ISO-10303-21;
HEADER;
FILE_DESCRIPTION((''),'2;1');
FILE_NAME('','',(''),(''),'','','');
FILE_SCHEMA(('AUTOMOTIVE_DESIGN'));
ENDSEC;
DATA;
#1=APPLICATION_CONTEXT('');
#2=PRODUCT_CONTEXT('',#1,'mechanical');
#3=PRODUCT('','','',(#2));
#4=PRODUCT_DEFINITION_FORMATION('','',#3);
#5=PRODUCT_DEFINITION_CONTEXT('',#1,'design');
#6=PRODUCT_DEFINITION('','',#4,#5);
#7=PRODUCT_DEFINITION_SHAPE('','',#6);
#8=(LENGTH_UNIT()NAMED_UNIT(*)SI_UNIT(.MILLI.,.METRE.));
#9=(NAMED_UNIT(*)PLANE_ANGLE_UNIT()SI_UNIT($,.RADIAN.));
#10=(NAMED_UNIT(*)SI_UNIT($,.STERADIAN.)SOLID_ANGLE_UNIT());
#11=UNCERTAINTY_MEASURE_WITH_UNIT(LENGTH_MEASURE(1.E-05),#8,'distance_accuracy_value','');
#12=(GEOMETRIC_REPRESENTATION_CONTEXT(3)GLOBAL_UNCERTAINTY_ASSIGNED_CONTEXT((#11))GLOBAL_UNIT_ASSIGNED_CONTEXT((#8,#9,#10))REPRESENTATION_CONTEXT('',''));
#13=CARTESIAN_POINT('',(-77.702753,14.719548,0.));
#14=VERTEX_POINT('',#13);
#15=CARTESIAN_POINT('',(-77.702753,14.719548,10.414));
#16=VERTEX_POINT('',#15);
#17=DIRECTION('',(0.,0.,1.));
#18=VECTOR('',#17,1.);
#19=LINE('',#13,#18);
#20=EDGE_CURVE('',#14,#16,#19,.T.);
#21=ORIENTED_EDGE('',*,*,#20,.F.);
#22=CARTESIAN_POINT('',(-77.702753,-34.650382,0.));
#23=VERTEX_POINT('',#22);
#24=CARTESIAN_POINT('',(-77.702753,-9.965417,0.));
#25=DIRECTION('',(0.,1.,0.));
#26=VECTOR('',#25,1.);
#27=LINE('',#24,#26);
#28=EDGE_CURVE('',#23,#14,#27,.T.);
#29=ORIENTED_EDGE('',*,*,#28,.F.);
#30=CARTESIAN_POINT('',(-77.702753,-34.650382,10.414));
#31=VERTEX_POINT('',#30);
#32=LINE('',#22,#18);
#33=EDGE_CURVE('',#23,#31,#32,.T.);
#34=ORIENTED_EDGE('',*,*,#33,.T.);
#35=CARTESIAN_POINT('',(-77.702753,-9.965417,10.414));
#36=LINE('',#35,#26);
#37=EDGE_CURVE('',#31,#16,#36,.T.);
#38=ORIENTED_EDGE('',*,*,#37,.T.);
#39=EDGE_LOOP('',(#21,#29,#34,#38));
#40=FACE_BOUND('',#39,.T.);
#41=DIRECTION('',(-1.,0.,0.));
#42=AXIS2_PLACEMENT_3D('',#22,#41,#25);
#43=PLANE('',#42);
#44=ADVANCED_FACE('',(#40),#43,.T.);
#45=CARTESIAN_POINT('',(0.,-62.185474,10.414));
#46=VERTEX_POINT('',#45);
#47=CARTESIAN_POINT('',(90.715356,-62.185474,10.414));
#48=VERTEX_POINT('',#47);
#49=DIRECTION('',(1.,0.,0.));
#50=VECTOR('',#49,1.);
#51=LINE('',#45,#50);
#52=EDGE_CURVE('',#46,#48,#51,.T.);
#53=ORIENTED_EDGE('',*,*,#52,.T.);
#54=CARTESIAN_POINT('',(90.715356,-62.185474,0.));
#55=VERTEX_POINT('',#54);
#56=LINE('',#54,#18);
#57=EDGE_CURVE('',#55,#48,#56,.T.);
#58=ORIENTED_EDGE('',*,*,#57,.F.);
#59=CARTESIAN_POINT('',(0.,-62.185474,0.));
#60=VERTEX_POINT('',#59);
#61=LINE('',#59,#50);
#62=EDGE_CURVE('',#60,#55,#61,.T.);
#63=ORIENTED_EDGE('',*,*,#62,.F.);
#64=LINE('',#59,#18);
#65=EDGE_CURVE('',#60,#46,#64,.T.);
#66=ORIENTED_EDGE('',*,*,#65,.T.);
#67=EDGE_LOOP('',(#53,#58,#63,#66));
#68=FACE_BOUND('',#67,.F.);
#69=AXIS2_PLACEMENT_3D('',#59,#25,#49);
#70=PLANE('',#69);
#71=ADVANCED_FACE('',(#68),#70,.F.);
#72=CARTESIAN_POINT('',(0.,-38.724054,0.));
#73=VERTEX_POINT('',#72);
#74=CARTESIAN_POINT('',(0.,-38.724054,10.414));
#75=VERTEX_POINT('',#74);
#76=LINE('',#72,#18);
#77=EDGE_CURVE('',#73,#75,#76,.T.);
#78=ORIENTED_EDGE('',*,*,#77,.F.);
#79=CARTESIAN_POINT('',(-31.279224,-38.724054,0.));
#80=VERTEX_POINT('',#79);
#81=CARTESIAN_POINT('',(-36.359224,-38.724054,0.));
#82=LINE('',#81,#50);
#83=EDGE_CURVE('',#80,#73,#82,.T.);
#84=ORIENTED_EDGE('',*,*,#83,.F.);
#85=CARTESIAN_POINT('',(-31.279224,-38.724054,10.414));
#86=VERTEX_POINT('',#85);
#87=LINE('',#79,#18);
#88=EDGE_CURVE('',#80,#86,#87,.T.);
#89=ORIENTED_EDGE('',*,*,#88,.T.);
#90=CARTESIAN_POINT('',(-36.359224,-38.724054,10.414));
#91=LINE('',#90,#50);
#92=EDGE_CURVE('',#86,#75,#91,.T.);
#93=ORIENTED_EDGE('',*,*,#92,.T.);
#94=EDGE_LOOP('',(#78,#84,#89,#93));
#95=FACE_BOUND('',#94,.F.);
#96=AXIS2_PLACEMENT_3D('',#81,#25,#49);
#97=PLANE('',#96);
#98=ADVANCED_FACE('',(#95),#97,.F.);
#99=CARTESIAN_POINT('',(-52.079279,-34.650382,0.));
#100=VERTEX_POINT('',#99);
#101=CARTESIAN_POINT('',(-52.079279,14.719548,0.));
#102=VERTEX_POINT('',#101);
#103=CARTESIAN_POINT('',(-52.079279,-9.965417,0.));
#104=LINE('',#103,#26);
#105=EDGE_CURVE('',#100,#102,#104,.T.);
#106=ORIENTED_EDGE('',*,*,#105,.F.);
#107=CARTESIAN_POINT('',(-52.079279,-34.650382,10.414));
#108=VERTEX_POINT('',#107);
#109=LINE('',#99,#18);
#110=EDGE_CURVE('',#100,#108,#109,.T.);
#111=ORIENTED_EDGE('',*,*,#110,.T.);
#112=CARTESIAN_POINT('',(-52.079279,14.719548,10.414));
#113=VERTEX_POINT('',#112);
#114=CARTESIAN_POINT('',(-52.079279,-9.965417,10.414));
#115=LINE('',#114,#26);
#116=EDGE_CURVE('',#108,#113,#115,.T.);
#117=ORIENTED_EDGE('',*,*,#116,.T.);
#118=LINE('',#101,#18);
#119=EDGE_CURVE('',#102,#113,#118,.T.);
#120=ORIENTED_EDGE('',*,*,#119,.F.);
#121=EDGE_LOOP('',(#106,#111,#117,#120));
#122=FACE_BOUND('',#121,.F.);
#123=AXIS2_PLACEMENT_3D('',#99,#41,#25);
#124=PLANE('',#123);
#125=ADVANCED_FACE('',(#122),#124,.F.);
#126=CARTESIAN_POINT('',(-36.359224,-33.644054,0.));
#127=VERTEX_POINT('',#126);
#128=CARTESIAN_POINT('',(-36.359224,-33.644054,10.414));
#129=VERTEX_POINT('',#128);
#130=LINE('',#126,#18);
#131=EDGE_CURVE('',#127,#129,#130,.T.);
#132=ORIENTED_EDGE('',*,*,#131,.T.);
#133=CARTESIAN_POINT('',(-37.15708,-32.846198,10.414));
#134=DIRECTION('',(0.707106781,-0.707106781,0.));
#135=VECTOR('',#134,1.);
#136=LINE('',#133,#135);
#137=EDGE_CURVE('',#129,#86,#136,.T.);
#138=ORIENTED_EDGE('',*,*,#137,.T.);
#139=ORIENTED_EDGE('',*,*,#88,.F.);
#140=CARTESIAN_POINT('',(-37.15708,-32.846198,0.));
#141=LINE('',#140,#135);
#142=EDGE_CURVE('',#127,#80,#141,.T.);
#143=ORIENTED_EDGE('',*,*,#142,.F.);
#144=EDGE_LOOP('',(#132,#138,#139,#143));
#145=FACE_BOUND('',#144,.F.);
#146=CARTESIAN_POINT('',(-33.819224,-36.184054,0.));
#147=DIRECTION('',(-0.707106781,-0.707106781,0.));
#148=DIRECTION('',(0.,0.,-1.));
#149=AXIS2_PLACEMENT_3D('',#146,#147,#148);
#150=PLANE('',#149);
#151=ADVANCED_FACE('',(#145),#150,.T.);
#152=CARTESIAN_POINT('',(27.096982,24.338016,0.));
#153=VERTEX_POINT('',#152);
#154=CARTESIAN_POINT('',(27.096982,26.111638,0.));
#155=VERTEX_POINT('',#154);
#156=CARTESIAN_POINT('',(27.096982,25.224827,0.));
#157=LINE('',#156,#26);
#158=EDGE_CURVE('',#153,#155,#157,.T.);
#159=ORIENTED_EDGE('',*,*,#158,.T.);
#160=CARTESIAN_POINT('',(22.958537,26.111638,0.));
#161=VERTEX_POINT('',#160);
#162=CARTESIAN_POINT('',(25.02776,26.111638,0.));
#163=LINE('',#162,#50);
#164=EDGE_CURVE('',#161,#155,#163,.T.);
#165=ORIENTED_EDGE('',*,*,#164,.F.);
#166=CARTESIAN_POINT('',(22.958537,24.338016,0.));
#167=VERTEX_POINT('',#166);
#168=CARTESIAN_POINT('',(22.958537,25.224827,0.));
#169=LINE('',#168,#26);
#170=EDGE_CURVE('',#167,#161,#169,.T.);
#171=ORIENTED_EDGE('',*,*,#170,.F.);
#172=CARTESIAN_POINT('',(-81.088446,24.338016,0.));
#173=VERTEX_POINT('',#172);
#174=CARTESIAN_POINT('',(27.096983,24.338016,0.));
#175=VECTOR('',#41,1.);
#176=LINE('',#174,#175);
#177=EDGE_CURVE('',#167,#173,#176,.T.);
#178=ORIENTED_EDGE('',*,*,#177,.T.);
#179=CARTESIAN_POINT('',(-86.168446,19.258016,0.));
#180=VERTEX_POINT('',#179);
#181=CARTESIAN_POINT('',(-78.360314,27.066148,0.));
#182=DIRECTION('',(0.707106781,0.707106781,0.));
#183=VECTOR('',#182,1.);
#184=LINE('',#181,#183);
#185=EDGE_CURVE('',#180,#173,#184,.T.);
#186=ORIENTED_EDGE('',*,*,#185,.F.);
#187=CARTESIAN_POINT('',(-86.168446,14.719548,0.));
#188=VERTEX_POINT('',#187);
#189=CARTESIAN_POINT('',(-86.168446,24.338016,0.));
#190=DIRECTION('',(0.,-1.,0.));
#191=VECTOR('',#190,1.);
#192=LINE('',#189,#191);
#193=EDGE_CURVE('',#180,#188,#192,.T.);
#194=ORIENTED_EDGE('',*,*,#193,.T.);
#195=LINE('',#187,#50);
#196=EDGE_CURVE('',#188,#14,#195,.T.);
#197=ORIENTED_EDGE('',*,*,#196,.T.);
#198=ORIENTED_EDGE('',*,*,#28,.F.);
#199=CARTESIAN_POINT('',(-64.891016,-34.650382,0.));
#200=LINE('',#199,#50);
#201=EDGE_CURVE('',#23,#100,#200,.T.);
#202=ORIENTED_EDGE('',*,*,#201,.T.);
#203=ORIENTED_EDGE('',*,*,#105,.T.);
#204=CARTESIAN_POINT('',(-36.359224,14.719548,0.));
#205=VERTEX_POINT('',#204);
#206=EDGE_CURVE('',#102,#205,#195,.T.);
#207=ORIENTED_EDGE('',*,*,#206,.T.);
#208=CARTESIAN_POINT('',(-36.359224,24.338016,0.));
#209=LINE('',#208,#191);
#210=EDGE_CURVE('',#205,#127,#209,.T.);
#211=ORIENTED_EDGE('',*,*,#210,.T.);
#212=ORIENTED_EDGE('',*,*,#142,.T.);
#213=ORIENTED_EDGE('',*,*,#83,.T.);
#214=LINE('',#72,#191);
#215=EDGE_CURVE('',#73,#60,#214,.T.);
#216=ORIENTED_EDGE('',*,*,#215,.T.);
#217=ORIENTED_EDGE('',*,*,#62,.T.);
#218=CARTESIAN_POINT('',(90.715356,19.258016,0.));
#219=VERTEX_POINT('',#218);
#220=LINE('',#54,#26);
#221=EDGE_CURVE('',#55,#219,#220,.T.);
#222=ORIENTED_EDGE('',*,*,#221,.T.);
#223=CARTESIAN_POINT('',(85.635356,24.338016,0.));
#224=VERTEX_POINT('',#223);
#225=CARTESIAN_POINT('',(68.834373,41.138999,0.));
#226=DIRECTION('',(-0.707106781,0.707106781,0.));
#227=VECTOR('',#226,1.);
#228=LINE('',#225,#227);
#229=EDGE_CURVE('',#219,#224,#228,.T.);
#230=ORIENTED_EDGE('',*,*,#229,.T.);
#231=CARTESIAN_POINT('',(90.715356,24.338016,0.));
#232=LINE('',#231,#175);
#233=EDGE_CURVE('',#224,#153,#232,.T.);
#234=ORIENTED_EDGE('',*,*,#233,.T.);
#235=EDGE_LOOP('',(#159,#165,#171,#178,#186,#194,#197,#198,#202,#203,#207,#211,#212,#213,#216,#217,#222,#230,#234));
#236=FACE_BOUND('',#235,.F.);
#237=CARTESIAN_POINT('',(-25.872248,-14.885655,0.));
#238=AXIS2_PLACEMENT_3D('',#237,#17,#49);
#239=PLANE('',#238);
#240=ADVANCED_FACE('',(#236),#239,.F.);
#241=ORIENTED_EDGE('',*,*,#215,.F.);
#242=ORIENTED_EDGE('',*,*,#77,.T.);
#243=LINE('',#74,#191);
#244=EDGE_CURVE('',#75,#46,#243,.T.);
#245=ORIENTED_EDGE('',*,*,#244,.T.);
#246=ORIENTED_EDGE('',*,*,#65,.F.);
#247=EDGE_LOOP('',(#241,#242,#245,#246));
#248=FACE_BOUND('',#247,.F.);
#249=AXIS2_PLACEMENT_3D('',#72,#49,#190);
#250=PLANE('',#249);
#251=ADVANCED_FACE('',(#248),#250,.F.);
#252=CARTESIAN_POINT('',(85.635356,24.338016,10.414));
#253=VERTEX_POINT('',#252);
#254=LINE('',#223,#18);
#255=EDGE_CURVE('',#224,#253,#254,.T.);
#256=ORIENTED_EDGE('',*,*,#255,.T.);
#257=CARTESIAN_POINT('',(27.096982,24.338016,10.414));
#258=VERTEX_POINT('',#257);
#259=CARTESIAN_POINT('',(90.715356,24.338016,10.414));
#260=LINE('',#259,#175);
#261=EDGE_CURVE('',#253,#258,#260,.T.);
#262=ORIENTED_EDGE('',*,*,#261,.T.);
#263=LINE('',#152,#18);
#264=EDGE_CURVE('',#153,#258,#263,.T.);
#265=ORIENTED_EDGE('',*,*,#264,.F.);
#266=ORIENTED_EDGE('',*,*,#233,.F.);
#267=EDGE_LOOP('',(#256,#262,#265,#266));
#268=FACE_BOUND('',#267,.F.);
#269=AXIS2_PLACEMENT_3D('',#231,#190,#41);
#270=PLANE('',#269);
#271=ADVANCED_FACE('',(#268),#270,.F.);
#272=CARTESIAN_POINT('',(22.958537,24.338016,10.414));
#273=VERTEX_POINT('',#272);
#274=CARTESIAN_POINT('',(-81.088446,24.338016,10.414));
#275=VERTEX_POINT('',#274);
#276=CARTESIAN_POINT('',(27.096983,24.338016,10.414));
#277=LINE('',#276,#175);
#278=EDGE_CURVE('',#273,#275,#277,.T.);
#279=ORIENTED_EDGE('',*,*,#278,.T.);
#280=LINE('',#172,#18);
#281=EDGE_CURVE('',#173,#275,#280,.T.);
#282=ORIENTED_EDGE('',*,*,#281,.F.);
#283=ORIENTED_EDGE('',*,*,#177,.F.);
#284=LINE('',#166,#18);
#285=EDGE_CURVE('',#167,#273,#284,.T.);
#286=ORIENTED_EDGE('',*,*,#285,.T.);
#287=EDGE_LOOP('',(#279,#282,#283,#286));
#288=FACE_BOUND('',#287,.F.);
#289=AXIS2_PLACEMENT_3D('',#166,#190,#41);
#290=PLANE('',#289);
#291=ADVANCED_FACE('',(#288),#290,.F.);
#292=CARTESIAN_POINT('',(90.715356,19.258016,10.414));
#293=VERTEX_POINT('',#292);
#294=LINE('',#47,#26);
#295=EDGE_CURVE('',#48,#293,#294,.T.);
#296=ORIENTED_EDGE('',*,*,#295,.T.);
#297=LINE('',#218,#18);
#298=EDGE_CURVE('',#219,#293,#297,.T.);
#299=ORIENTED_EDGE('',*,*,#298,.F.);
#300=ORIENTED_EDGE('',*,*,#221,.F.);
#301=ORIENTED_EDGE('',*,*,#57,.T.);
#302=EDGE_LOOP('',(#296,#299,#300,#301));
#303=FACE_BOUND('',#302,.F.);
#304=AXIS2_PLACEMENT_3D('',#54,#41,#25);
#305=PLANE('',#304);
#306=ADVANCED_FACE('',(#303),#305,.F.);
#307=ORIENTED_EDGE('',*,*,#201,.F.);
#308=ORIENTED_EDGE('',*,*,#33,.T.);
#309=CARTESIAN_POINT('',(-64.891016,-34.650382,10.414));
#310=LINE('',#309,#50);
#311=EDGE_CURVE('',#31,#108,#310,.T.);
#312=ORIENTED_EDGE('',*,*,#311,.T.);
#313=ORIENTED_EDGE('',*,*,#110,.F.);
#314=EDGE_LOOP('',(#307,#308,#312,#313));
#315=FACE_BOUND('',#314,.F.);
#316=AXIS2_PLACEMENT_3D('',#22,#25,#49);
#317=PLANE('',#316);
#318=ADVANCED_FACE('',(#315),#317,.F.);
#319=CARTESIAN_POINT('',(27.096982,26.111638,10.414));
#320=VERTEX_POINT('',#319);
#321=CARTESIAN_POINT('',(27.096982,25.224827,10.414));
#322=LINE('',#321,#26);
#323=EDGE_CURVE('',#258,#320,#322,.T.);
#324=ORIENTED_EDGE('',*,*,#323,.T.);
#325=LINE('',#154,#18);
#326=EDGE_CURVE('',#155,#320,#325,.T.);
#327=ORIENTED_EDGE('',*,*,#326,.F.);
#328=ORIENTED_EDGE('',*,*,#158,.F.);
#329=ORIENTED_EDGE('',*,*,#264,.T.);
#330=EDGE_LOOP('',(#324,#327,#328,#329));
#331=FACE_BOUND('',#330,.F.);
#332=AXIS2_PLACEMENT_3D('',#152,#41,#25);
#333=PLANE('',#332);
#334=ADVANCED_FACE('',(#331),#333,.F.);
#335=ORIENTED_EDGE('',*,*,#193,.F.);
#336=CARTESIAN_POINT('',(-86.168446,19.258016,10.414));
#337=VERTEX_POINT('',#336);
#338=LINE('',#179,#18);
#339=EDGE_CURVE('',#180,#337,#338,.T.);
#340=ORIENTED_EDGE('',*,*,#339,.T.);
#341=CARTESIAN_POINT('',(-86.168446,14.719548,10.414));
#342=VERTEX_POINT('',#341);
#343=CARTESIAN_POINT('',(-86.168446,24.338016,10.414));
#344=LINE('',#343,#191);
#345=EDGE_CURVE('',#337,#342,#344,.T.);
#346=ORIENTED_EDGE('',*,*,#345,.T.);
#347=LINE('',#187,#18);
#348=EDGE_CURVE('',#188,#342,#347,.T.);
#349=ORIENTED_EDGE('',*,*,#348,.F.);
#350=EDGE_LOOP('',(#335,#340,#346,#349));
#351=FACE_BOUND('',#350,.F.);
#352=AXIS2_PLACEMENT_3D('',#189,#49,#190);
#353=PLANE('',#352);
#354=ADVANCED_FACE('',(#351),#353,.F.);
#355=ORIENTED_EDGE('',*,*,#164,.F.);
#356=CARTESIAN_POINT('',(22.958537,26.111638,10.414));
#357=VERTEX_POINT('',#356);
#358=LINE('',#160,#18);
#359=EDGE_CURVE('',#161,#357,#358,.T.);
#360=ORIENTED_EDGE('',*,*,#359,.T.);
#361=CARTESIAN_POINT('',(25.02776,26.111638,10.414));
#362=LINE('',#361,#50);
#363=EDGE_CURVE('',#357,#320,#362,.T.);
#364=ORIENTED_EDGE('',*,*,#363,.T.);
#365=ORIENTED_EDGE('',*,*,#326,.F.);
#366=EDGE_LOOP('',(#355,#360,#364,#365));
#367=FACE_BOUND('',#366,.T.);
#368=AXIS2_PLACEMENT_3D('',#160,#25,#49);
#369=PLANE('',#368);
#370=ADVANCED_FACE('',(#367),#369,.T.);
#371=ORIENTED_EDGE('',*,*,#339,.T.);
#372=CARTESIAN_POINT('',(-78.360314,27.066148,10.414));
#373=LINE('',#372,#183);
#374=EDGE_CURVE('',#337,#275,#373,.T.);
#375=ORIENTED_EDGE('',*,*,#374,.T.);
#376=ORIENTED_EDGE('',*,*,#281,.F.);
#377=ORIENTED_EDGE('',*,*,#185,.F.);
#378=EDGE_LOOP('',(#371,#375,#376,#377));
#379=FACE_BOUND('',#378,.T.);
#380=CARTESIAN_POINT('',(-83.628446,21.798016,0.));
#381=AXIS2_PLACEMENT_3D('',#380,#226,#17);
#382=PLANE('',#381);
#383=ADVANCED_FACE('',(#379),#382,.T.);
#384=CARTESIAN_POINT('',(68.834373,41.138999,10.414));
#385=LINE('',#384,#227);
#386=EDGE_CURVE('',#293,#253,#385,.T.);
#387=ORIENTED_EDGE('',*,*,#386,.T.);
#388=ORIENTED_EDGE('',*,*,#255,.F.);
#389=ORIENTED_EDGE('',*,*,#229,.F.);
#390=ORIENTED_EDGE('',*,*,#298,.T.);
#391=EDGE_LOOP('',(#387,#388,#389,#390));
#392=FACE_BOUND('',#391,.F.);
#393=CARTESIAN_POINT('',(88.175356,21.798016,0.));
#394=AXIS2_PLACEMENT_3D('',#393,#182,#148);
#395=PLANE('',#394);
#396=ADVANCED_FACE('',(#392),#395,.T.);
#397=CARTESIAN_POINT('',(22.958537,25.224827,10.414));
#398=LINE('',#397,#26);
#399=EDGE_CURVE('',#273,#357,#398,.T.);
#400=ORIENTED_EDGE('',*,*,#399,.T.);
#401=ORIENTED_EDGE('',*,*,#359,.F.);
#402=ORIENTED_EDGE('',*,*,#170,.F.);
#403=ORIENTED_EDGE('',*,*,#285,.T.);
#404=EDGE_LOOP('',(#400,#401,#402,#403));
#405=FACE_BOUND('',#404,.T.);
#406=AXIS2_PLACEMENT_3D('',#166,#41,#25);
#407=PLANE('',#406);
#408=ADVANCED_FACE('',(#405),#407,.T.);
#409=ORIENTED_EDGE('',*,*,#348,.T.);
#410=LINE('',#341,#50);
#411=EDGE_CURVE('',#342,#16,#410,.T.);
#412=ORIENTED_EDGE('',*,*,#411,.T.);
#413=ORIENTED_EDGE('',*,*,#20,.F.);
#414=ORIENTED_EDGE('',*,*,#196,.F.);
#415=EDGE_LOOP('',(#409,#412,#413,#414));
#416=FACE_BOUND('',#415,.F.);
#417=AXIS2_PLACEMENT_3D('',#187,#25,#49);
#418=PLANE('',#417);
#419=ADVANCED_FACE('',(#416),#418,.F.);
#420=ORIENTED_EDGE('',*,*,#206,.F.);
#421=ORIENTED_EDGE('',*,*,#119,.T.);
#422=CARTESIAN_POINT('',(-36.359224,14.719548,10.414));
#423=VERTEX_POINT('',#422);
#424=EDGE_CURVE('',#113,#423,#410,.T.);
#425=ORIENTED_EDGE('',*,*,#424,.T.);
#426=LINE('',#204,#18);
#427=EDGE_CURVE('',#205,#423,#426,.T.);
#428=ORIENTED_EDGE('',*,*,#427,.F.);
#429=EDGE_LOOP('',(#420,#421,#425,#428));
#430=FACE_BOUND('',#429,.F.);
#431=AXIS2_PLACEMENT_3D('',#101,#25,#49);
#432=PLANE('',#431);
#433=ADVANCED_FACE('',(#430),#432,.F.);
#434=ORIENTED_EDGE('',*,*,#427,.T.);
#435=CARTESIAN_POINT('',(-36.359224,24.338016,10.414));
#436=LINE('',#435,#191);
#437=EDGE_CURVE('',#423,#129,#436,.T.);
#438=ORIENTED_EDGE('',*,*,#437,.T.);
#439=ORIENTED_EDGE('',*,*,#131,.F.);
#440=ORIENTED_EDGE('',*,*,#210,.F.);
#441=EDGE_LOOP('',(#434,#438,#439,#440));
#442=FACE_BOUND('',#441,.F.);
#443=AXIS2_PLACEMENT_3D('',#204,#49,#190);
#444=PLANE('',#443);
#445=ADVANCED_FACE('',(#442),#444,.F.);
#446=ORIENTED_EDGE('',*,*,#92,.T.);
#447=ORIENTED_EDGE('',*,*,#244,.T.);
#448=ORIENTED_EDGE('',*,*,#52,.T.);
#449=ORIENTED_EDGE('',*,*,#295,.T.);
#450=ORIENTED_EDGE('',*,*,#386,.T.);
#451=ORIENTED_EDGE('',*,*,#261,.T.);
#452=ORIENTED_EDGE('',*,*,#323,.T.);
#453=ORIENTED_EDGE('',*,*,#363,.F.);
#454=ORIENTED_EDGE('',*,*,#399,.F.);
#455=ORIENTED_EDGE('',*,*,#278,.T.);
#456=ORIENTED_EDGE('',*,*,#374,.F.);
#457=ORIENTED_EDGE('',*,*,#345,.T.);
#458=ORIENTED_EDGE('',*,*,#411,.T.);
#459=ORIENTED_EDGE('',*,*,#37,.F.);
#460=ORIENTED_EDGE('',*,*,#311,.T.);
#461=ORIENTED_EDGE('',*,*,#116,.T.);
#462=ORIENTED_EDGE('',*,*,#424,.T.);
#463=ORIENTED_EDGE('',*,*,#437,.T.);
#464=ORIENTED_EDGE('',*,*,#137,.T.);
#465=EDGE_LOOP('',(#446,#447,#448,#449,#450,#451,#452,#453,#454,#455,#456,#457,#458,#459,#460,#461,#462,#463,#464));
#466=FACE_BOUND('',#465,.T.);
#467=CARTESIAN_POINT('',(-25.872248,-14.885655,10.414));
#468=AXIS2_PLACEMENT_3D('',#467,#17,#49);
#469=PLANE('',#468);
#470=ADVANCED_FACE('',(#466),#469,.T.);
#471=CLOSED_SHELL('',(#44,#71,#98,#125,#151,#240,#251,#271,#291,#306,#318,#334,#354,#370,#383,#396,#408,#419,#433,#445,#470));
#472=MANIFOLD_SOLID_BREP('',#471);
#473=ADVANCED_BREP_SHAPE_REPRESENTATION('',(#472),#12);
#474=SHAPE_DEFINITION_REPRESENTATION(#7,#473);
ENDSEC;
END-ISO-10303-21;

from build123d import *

# Parameters (mm, degrees)
F0_W     = 30.374784
F0_H     = 50.35834
F0_W_2   = 25.623474
F0_H_2   = 49.36993
F0_W_3   = 4.138445
F0_H_3   = 1.773622
F1_DEPTH = 10.414
F2_SIZE  = 5.08


with BuildPart() as f1:
    # F0 (on Top) → F1 (new body)
    with BuildSketch(Plane.XY):
        Polygon((-30.374784, 24.338016), (-36.359224, 24.338016), (-36.359224, 14.719548), (-36.359224, -38.724054), (0, -38.724054), (0, -26.020324), (-30.374784, -26.020324), align=None)
        Polygon((-36.359224, 14.719548), (-36.359224, 24.338016), (-86.168446, 24.338016), (-86.168446, 14.719548), (-77.702753, 14.719548), (-52.079279, 14.719548), align=None)
        with Locations((-15.187392, -0.841154)):
            Rectangle(F0_W, F0_H)
        Polygon((22.958538, 24.338016), (0, 24.338016), (0, -26.020324), (0, -38.724054), (27.096983, -38.724054), (27.096983, 24.338016), align=None)
        with Locations((-64.891016, -9.965417)):
            Rectangle(F0_W_2, F0_H_2)
        with Locations((25.02776, 25.224827)):
            Rectangle(F0_W_3, F0_H_3)
        Polygon((27.096983, -38.724054), (0, -38.724054), (0, -62.185474), (90.715356, -62.185474), (90.715356, 24.338016), (27.096983, 24.338016), align=None)
    extrude(amount=F1_DEPTH)

    # F2
    f2_edges = [f1.edges().sort_by_distance(p)[0] for p in [
        (-86.168446, 24.338016, 5.207),
        (-36.359224, -38.724054, 5.207),
        (90.715356, 24.338016, 5.207),
    ]]
    chamfer(f2_edges, length=F2_SIZE)


solid = f1.part
